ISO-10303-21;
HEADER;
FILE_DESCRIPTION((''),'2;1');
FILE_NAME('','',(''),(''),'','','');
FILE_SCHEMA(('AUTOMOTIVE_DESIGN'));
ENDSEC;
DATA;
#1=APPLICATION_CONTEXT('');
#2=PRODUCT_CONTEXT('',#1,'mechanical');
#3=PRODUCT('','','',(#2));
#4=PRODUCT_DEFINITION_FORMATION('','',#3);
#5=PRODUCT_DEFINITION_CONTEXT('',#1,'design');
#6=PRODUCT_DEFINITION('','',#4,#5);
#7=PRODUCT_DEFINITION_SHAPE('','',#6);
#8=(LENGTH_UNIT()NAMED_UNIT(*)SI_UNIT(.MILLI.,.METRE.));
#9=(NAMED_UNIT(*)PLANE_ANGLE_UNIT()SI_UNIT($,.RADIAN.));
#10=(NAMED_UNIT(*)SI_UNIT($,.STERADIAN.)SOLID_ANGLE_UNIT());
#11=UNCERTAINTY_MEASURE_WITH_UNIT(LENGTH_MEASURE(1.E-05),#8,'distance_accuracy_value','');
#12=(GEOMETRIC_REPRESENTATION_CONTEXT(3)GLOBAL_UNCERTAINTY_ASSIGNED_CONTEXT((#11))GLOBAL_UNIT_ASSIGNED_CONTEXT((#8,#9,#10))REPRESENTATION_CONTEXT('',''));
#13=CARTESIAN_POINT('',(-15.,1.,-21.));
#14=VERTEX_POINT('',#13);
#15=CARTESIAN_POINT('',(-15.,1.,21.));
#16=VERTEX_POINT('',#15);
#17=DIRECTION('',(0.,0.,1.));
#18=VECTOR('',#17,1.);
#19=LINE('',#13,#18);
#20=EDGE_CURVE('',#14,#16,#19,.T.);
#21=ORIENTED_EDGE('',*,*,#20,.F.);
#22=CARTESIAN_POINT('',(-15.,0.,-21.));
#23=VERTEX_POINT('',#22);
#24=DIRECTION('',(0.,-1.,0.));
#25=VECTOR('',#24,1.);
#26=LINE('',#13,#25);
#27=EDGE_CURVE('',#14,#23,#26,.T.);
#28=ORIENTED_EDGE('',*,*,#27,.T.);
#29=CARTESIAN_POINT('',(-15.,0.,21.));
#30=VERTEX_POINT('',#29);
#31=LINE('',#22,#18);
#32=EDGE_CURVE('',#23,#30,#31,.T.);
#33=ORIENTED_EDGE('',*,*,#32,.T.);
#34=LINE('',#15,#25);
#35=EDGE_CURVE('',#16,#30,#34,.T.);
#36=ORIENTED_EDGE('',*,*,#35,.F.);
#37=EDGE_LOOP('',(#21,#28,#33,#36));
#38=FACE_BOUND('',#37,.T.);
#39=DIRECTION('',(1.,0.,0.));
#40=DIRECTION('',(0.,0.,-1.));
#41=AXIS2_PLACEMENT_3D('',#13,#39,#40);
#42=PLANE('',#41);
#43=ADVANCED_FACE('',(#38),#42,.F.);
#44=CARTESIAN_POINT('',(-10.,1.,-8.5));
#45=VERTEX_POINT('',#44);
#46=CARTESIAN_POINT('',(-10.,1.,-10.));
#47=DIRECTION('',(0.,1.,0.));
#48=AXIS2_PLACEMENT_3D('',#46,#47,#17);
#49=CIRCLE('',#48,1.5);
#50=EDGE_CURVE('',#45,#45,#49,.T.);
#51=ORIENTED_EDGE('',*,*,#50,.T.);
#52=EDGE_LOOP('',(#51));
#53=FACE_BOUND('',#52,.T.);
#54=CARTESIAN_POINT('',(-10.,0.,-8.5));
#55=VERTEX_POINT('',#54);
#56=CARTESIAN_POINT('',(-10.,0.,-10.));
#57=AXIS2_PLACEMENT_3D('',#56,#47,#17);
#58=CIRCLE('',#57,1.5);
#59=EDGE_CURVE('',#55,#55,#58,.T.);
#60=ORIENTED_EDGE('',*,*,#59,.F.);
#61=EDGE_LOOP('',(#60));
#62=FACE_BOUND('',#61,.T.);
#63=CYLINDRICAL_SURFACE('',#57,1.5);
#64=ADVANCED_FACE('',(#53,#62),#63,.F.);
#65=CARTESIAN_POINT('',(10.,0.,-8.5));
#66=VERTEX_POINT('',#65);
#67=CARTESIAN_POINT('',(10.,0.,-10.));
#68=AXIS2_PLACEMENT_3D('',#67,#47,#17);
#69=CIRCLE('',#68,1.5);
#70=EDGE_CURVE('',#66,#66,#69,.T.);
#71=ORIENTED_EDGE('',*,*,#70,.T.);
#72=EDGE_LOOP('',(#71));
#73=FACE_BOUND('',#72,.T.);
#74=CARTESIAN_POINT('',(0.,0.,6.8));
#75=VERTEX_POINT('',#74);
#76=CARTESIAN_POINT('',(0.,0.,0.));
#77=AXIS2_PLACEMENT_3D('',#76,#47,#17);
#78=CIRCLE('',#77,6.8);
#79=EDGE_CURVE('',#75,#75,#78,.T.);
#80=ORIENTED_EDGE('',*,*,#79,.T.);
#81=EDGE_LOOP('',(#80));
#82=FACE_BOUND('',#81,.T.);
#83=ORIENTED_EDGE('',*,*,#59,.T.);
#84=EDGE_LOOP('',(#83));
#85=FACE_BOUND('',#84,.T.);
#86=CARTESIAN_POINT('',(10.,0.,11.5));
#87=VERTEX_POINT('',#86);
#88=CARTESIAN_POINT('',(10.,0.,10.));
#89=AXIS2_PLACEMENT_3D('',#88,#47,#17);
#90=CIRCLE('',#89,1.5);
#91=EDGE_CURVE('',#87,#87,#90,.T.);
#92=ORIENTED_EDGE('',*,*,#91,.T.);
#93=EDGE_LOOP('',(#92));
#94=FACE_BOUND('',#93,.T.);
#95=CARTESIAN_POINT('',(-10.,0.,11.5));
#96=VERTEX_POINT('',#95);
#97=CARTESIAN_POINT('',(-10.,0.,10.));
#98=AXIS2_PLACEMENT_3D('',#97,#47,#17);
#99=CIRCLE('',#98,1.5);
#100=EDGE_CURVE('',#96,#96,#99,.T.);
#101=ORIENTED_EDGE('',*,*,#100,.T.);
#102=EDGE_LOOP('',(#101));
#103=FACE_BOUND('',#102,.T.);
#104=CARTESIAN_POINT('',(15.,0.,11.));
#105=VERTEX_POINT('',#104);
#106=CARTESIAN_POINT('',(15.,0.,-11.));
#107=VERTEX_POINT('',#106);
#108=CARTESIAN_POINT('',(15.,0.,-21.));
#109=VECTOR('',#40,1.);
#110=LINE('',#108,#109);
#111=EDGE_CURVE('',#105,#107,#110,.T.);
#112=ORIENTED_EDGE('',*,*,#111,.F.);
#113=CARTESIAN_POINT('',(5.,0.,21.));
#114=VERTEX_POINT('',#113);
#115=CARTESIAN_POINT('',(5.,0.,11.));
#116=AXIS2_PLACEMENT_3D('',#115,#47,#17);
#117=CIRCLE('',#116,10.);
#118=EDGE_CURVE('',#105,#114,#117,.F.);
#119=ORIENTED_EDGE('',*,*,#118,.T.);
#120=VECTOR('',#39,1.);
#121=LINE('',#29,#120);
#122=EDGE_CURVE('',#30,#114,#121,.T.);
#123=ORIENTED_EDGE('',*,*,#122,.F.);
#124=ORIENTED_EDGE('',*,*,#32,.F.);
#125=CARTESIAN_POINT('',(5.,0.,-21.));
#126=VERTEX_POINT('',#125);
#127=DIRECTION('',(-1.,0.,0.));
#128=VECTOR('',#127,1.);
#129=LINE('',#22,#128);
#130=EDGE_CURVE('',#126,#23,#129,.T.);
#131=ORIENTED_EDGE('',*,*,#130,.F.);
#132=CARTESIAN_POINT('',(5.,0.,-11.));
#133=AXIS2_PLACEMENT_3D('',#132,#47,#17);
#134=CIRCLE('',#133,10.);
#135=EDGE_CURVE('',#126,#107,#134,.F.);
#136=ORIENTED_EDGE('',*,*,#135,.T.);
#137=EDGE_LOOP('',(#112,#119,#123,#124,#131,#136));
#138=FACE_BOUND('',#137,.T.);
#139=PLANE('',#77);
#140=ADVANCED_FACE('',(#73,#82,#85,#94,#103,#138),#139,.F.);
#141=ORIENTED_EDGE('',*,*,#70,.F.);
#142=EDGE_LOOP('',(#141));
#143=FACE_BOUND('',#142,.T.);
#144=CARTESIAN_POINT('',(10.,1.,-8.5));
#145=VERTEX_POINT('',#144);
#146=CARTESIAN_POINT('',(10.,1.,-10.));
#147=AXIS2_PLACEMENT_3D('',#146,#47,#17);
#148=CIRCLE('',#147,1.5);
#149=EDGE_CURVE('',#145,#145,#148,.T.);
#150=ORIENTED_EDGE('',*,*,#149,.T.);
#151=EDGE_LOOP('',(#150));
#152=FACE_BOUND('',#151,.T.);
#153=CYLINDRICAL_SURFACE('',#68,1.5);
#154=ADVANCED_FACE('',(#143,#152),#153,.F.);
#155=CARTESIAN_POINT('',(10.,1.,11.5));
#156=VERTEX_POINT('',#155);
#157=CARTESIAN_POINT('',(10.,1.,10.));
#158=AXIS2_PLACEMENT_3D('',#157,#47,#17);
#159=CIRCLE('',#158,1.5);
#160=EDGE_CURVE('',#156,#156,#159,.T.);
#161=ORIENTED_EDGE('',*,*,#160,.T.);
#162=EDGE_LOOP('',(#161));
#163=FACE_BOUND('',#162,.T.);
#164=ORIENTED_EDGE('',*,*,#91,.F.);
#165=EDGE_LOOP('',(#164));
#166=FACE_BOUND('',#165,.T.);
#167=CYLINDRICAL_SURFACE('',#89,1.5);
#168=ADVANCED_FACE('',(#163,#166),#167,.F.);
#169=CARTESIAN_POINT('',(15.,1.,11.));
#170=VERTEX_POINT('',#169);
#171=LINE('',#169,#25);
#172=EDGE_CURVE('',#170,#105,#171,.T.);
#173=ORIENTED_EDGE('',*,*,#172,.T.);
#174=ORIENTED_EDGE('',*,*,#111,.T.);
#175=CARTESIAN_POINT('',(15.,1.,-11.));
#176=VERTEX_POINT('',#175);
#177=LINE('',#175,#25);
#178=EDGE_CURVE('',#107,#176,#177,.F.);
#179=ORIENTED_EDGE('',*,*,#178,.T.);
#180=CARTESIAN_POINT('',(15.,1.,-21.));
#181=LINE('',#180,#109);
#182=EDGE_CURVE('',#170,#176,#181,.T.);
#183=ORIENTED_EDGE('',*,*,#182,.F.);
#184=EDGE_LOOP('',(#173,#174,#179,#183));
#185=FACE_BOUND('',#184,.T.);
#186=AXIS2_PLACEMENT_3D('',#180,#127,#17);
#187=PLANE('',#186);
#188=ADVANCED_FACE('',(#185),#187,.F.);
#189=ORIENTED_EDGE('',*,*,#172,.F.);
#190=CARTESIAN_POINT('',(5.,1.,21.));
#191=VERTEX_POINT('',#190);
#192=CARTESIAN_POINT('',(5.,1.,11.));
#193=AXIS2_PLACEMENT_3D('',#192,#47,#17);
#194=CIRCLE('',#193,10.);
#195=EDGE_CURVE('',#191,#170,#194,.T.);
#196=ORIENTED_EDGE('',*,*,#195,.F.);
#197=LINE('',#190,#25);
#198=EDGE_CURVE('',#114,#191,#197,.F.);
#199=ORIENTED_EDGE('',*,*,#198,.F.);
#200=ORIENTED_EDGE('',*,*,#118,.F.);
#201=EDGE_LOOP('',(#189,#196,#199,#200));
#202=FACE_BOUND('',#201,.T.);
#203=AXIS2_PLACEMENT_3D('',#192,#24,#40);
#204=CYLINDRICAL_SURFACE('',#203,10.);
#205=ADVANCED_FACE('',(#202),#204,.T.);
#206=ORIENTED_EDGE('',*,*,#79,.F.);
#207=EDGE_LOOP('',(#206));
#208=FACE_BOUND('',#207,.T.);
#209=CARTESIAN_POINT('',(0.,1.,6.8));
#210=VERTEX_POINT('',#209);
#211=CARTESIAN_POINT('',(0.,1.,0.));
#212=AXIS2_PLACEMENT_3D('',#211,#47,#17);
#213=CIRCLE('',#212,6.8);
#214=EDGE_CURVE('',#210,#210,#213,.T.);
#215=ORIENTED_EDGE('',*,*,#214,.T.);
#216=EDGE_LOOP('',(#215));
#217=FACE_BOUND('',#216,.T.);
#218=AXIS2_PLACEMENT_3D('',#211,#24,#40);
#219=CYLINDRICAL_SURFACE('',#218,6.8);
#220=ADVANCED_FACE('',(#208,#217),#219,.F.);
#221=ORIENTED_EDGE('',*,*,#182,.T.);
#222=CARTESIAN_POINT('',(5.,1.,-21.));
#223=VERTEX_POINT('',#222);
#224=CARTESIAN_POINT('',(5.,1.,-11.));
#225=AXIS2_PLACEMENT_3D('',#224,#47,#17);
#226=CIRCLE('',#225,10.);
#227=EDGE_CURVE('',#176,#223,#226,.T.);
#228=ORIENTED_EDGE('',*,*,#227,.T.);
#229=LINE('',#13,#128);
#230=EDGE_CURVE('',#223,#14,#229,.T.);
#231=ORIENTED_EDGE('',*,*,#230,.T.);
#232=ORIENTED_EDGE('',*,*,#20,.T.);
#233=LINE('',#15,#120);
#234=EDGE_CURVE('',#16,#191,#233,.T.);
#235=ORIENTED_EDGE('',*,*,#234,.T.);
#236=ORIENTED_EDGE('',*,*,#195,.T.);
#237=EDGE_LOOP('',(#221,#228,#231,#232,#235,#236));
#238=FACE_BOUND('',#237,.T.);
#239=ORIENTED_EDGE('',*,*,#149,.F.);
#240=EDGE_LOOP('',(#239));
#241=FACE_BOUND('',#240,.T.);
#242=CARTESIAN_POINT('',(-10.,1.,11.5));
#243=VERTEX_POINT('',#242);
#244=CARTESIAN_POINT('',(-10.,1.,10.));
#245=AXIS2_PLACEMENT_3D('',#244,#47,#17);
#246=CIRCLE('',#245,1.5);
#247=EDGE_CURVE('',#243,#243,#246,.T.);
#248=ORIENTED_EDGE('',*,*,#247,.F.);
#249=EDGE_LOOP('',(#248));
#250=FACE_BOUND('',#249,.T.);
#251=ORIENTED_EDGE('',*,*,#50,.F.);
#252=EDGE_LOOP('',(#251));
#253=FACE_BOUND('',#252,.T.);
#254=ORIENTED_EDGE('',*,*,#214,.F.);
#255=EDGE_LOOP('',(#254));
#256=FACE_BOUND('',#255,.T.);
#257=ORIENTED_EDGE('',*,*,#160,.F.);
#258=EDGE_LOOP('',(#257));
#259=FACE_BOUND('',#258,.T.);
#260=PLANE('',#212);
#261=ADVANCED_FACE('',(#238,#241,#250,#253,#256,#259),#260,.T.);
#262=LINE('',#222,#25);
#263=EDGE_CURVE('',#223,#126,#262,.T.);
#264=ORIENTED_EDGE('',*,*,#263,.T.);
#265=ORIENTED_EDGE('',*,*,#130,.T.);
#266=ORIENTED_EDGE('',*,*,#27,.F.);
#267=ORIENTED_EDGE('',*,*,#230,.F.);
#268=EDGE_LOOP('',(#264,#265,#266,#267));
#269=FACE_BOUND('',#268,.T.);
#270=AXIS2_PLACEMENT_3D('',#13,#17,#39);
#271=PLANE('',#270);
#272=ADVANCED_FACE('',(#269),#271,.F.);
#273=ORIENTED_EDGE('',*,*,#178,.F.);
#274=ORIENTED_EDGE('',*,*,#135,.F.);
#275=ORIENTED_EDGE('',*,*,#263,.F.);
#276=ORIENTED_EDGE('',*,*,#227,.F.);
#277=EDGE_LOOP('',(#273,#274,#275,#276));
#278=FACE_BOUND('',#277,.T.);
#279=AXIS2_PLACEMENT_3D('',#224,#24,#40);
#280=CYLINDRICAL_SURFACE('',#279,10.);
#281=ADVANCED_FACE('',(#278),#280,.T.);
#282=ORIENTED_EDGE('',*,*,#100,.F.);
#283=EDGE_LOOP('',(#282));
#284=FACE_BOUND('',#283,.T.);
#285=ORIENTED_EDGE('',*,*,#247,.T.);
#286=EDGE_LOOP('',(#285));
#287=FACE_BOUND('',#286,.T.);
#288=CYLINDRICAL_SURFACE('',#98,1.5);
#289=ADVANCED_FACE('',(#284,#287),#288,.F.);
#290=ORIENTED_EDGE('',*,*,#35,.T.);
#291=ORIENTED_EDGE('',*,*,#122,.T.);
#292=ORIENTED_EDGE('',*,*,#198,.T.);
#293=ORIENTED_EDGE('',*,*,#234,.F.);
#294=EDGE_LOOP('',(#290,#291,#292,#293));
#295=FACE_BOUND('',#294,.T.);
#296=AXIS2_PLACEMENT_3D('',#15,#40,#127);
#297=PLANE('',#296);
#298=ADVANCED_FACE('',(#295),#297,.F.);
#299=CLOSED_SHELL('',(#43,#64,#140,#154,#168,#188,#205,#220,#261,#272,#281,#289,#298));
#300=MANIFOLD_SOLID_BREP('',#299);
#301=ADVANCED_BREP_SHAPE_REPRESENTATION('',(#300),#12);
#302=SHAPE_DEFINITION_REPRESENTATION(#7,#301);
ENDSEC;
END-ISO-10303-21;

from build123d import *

# Parameters (mm, degrees)
SKETCH2_W           = 30
SKETCH2_H           = 42
SKETCH2_R           = 6.8
BOSS_EXTRUDE1_DEPTH = 1
FILLET1_R           = 10
SKETCH3_R           = 1.5
CUT_EXTRUDE1_DEPTH  = 1


with BuildPart() as part:
    # Sketch2 → Boss-Extrude1 (new body)
    with BuildSketch(Plane(origin=(0, 0, 0), x_dir=(1, 0, 0), z_dir=(0, 1, 0))):
        Rectangle(SKETCH2_W, SKETCH2_H)
        with Locations(Location((0, 0, 0), (0, 0, 270))):
            Circle(SKETCH2_R, mode=Mode.SUBTRACT)
    extrude(amount=BOSS_EXTRUDE1_DEPTH)

    # Fillet1
    fillet1_edges = [part.edges().sort_by_distance(p)[0] for p in [
        (15, 0.5, 21),
        (15, 0.5, -21),
    ]]
    fillet(fillet1_edges, radius=FILLET1_R)

    # Sketch3 → Cut-Extrude1 (cut)
    with BuildSketch(Plane(origin=(0, 1, 0), x_dir=(1, 0, 0), z_dir=(0, 1, 0))):
        with Locations(Location((-10, 10, 0), (0, 0, 270))):
            Circle(SKETCH3_R)
        with Locations(Location((10, 10, 0), (0, 0, 270))):
            Circle(SKETCH3_R)
        with Locations(Location((10, -10, 0), (0, 0, 270))):
            Circle(SKETCH3_R)
        with Locations(Location((-10, -10, 0), (0, 0, 270))):
            Circle(SKETCH3_R)
    extrude(amount=-CUT_EXTRUDE1_DEPTH, mode=Mode.SUBTRACT)


solid = part.part
